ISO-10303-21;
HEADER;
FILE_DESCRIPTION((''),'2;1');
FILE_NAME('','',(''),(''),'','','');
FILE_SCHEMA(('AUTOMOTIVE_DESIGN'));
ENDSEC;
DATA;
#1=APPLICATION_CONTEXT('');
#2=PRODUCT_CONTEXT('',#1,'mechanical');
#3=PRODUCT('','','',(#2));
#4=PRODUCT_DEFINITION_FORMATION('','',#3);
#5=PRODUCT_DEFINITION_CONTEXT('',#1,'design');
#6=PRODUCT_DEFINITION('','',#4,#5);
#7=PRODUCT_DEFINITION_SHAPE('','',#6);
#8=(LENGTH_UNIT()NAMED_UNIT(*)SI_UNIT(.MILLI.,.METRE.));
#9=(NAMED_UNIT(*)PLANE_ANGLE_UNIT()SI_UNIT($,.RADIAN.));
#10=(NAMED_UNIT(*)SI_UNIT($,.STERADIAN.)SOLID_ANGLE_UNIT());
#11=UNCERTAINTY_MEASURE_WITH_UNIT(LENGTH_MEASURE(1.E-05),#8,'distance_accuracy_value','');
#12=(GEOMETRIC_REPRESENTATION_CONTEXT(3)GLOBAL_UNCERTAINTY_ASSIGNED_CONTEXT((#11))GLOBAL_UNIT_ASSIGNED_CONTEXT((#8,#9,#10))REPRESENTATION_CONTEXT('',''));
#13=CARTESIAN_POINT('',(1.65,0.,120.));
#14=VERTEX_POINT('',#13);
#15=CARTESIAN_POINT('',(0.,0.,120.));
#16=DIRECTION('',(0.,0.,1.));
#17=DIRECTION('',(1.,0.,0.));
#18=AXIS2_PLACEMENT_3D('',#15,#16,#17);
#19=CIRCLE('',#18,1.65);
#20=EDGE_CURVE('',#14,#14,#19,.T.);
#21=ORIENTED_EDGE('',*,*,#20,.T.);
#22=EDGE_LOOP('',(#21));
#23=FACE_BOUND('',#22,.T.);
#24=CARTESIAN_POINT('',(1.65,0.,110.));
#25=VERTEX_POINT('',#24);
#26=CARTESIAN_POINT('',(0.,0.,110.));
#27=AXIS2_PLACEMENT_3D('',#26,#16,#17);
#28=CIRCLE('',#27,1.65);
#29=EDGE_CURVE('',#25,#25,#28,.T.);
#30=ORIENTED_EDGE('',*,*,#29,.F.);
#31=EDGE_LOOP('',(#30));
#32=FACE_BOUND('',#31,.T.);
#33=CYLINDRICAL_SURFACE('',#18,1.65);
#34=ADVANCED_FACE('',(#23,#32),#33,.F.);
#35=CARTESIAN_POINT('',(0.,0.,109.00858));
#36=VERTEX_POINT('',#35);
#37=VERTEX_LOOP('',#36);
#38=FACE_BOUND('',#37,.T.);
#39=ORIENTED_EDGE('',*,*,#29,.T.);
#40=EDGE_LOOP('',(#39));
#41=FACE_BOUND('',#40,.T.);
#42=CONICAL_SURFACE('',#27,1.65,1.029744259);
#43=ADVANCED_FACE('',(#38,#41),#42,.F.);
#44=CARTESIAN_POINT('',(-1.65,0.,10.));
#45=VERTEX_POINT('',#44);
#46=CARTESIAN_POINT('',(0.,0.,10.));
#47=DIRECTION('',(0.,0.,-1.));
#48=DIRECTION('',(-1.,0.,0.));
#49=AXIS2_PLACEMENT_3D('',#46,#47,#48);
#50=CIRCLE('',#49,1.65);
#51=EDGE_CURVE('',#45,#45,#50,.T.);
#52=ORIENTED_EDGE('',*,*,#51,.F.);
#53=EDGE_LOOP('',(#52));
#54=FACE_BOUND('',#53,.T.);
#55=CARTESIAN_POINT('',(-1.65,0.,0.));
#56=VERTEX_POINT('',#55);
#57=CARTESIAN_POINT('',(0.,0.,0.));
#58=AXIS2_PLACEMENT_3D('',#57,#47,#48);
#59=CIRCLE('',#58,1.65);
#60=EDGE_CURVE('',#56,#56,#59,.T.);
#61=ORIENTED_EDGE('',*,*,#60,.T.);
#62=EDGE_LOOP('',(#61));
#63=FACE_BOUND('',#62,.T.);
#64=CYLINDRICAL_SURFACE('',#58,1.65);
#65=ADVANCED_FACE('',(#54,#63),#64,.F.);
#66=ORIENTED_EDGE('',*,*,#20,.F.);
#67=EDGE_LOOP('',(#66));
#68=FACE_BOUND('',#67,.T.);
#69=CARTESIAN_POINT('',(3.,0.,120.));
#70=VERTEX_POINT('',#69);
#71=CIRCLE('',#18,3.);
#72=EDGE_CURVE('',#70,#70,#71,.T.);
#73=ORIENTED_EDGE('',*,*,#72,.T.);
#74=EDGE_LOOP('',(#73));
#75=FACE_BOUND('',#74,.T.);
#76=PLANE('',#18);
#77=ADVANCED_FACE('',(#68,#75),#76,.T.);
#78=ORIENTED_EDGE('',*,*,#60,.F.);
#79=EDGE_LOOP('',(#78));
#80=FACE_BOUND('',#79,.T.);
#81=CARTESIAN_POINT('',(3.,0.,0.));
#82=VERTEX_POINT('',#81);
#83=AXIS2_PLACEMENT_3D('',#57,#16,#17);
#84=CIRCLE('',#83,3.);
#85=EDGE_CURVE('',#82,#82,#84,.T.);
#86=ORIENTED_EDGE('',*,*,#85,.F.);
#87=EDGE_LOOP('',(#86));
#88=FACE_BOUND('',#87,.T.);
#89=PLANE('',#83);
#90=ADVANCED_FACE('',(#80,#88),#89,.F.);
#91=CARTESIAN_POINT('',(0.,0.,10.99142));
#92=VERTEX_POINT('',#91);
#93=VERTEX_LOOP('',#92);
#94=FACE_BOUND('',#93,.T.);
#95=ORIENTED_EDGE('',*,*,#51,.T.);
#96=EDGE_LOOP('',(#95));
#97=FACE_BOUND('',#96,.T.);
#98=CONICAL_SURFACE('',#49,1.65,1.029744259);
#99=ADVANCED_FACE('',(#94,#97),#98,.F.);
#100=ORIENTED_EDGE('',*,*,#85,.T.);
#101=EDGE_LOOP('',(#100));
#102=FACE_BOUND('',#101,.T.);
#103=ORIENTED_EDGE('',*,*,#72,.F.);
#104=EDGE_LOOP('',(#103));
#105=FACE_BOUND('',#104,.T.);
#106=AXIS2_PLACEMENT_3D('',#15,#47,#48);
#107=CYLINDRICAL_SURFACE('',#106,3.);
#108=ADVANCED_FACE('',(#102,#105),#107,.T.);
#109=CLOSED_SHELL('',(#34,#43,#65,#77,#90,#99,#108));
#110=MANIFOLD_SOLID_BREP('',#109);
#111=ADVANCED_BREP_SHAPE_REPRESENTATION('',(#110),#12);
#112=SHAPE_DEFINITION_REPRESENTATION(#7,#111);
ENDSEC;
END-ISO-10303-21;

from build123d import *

# Parameters (mm, degrees)
SKETCH1_R           = 3
BOSS_EXTRUDE1_DEPTH = 120


with BuildPart() as part:
    # Sketch1 → Boss-Extrude1 (new body)
    with BuildSketch(Plane.XY):
        Circle(SKETCH1_R)
    extrude(amount=BOSS_EXTRUDE1_DEPTH)

    # Sketch3 → M4x0.7 Tapped Hole1 (revolve, cut)
    with BuildSketch(Plane(origin=(0, 0, 120), x_dir=(0, -1, 0), z_dir=(1, 0, 0))):
        Polygon((0, 0), (0, 10.991420021), (1.65, 10), (1.65, 0), align=None)
    m4x0_7_tapped_hole1 = revolve(axis=Axis((0, 0, 126.35), (0, 0, -1)), mode=Mode.SUBTRACT)

    # Mirror1: M4x0.7 Tapped Hole1 across plane
    add(m4x0_7_tapped_hole1.mirror(Plane.XY.offset(60)), mode=Mode.SUBTRACT)


solid = part.part
